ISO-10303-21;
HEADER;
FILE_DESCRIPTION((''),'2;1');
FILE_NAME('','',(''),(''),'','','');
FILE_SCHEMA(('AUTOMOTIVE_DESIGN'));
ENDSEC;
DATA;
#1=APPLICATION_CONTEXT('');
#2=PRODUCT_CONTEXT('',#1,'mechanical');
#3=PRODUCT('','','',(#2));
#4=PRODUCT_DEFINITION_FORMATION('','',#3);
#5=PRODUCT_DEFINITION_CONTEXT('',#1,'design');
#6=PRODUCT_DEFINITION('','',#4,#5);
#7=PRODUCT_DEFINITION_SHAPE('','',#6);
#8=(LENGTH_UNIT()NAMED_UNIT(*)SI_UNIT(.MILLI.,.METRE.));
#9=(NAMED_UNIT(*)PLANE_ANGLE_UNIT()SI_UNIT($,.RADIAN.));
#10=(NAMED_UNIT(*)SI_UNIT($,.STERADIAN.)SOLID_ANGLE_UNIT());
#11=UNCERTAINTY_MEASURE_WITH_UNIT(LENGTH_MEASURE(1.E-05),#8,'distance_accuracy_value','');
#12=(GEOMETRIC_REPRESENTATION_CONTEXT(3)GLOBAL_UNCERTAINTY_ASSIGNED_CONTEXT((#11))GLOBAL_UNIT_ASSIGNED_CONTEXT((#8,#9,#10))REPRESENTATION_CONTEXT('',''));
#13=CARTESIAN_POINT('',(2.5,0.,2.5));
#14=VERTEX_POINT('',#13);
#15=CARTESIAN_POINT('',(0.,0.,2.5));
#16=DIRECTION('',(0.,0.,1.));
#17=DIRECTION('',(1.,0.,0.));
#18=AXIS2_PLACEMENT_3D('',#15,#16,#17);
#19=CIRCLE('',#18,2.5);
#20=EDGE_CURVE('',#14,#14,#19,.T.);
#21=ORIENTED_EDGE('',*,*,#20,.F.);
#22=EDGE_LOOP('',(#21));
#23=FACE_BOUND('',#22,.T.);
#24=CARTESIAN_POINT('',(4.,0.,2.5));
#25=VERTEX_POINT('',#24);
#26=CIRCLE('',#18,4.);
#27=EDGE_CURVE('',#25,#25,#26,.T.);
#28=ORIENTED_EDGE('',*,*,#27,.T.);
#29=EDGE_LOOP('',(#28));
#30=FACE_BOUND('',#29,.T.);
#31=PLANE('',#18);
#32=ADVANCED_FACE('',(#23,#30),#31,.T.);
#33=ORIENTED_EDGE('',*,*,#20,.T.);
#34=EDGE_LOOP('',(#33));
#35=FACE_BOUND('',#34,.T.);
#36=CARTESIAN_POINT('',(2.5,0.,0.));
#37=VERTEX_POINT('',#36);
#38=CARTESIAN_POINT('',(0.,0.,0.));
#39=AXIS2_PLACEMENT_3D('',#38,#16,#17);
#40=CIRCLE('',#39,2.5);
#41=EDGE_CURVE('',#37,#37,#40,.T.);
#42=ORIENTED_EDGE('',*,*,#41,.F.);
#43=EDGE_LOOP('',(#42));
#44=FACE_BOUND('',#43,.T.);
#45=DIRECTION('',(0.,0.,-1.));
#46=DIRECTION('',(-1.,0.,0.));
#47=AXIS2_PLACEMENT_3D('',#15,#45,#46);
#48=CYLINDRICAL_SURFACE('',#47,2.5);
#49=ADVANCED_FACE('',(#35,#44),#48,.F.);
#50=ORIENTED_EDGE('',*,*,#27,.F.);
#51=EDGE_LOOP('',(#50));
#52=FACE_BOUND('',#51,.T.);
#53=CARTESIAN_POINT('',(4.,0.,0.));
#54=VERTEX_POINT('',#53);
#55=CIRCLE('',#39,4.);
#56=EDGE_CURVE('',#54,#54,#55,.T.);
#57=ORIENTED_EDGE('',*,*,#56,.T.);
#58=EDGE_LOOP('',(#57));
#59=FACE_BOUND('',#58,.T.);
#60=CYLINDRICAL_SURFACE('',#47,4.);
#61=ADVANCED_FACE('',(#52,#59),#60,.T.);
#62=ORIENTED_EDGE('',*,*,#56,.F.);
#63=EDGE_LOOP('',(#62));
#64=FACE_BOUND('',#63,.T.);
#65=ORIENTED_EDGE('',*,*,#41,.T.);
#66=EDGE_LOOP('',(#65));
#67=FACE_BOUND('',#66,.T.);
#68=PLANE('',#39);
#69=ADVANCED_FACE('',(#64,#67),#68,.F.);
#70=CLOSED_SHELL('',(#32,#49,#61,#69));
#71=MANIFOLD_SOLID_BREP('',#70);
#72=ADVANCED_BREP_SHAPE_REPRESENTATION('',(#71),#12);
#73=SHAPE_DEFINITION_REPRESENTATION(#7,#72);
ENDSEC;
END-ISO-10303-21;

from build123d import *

# Parameters (mm, degrees)
SKETCH_1_R      = 4
SKETCH_1_R_2    = 2.5
EXTRUDE_1_DEPTH = 2.5


with BuildPart() as part:
    # 草图1 → 凸台-拉伸1 (new body)
    with BuildSketch(Plane.XY):
        Circle(SKETCH_1_R)
        Circle(SKETCH_1_R_2, mode=Mode.SUBTRACT)
    extrude(amount=EXTRUDE_1_DEPTH)


solid = part.part
